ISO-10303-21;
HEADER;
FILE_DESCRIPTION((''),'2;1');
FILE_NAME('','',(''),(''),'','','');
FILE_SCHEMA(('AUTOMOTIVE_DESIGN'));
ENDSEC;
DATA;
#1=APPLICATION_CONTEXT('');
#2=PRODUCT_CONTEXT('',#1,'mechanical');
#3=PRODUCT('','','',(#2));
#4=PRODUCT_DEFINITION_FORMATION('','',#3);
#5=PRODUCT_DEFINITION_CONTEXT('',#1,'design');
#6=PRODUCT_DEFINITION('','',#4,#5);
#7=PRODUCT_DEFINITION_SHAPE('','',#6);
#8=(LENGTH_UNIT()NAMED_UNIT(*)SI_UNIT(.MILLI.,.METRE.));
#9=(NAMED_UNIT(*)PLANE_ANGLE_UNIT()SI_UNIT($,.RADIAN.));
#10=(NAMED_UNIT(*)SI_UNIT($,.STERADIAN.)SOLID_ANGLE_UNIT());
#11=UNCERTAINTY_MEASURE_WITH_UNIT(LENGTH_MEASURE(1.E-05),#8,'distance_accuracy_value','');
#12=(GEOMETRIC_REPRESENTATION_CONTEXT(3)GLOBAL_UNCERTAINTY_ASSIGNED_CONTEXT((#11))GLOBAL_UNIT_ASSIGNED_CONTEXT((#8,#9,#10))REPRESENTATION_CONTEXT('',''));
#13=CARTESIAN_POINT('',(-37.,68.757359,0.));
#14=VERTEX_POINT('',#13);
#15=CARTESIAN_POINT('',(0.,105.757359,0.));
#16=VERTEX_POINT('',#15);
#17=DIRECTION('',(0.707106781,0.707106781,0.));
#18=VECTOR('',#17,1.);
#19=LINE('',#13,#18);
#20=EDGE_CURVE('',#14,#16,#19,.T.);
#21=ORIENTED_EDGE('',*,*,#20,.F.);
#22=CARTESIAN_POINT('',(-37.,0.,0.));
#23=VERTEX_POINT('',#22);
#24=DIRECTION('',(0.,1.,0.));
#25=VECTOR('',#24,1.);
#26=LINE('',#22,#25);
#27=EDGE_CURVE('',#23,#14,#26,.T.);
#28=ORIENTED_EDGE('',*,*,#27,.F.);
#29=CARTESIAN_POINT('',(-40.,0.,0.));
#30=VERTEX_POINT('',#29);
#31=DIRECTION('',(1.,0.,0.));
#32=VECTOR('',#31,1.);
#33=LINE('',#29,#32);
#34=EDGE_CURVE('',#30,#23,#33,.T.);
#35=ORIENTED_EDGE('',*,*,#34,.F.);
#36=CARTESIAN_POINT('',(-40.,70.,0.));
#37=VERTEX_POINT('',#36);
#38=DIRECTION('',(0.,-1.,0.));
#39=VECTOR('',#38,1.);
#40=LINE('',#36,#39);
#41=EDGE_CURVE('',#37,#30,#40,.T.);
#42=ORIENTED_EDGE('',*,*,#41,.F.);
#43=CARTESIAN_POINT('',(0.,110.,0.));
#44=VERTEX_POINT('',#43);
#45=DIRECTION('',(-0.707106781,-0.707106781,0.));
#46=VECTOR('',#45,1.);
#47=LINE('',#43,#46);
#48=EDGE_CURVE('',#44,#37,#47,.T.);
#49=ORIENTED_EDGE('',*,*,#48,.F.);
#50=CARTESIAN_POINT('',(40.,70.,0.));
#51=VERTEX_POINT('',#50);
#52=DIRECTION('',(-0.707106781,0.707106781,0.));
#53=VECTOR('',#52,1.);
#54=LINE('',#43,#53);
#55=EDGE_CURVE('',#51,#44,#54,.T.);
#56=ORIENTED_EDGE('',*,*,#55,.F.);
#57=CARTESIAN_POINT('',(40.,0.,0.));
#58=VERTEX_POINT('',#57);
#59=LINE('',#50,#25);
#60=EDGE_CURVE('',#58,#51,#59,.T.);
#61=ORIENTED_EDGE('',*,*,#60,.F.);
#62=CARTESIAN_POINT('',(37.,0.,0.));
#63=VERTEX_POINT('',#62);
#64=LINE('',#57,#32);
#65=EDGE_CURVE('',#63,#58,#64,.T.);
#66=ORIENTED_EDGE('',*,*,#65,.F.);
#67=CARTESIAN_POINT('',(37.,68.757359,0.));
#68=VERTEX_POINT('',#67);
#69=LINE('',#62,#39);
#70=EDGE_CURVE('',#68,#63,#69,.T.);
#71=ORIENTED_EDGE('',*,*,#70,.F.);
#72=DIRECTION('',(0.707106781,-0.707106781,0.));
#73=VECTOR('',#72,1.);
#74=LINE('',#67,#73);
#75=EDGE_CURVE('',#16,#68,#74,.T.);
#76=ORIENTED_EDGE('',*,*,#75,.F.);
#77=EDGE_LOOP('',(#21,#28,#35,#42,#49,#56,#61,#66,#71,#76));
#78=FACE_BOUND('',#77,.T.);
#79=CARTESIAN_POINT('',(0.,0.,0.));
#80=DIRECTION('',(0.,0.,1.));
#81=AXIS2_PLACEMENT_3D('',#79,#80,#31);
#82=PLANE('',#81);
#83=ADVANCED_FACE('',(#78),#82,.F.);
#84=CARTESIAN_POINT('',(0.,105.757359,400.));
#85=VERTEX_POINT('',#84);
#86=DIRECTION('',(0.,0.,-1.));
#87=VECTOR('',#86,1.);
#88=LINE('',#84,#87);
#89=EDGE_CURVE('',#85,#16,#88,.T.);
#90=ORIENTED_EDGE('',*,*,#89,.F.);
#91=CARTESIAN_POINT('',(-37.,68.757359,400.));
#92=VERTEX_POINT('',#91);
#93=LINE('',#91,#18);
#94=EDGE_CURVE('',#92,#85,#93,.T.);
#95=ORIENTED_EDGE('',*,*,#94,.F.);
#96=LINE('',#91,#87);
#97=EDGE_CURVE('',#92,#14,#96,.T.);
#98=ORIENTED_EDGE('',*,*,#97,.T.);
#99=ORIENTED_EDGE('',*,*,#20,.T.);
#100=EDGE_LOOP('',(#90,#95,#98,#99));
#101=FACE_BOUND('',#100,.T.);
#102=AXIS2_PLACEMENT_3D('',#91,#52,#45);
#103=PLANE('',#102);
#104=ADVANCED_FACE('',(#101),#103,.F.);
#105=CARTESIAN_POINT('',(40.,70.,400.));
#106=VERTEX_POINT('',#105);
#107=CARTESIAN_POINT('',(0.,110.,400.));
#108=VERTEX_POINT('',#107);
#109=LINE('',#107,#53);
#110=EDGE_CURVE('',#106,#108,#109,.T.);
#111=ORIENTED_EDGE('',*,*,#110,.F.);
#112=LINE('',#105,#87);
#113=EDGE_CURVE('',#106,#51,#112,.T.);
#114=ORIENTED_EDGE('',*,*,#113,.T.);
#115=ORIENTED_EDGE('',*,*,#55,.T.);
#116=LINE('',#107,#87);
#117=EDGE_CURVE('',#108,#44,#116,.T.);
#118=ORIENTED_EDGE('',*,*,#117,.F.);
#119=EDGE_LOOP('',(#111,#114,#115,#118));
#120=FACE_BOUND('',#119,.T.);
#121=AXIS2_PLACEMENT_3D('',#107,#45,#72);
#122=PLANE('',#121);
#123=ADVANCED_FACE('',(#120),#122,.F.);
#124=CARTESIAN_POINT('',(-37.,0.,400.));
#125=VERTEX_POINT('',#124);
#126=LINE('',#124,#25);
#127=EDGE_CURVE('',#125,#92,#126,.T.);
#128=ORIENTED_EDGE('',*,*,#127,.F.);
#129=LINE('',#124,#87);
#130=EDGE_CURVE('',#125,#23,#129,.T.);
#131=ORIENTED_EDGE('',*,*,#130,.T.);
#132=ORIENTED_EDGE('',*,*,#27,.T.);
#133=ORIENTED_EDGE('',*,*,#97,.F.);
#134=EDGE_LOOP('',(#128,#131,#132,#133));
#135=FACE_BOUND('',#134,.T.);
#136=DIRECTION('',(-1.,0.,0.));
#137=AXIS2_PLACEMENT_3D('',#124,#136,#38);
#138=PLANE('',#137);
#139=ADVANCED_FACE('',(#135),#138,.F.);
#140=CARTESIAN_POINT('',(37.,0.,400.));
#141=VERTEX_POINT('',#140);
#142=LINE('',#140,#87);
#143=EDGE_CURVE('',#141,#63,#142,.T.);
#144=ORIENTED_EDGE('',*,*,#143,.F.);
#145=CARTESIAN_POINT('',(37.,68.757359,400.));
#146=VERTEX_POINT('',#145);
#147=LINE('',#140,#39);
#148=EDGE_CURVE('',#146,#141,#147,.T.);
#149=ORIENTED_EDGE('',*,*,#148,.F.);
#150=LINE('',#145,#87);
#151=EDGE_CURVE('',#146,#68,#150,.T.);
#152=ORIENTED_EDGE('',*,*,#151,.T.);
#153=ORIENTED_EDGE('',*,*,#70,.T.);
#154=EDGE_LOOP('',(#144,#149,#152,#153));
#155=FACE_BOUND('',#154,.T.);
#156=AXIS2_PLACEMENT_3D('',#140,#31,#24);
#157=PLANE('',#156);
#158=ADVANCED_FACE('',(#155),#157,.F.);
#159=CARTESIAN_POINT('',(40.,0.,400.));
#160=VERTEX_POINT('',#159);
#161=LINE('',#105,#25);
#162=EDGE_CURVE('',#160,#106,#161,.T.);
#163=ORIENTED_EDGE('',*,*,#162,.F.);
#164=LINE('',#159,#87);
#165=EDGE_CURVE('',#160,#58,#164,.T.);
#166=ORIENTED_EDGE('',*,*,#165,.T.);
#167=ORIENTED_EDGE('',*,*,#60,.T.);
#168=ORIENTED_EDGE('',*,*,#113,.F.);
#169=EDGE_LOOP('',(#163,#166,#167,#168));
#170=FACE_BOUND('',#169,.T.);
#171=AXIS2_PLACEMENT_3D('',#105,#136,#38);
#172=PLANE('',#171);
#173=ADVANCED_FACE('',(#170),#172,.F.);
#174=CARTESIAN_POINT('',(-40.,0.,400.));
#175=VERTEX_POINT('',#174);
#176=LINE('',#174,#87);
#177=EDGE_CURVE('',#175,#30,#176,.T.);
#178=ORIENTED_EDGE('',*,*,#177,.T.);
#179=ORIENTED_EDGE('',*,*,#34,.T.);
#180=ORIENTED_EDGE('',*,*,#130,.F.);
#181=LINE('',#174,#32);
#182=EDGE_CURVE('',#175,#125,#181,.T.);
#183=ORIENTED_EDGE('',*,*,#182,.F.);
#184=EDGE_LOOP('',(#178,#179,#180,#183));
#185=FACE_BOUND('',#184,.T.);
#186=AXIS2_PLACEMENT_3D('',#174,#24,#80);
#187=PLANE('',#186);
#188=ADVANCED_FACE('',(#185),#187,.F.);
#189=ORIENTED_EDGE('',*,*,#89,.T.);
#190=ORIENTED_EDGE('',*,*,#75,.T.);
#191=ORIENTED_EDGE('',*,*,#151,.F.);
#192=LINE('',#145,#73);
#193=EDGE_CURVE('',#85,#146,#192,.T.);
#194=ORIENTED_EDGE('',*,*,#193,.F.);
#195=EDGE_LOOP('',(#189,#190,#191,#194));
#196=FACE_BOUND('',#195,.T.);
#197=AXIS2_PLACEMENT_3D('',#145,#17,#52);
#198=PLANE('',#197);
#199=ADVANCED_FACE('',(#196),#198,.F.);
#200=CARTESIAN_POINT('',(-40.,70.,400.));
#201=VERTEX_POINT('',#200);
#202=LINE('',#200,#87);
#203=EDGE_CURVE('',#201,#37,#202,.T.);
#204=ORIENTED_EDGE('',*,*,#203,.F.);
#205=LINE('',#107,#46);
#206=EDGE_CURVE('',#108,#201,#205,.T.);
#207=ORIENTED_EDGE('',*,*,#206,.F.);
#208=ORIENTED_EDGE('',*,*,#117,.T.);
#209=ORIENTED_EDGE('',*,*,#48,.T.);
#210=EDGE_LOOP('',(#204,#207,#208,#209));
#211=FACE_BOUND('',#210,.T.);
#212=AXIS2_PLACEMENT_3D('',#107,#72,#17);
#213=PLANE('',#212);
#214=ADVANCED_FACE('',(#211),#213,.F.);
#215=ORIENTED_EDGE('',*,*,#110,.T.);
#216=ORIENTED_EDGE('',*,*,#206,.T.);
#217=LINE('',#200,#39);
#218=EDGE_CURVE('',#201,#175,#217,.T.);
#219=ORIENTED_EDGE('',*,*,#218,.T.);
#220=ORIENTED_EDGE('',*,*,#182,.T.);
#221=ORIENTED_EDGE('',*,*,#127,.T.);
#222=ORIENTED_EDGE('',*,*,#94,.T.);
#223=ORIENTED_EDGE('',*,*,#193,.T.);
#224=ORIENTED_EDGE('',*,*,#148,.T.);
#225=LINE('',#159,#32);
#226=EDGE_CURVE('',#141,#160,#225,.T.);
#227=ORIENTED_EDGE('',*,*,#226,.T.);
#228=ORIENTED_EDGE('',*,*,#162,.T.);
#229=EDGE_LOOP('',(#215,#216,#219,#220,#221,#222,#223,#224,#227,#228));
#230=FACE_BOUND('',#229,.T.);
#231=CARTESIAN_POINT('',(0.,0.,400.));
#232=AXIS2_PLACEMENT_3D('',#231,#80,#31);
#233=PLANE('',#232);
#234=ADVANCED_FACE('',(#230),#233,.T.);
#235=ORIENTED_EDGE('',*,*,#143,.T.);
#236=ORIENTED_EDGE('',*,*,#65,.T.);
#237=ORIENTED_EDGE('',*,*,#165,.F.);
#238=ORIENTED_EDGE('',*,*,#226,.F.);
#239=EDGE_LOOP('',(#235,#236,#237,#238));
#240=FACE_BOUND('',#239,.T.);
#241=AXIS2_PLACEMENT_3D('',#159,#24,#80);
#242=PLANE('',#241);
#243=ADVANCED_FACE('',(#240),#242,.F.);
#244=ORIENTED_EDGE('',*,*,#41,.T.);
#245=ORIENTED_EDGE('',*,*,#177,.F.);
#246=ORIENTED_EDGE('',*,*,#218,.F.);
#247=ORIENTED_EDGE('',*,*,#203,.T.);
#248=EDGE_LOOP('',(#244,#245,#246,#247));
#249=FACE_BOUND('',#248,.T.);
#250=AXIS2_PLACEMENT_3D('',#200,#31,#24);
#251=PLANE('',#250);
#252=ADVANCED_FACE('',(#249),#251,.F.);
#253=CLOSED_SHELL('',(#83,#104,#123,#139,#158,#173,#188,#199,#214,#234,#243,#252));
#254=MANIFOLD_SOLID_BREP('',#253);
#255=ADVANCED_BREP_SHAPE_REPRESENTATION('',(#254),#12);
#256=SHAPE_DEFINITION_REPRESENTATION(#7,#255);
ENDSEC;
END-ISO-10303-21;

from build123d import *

# Parameters (mm, degrees)
BOSS_EXTRUDE1_DEPTH = 400


with BuildPart() as part:
    # Sketch1 → Boss-Extrude1 (new body)
    with BuildSketch(Plane.XY):
        Polygon((-37, 0), (-37, 68.757359313), (0, 105.757359313), (37, 68.757359313), (37, 0), (40, 0), (40, 70), (0, 110), (-40, 70), (-40, 0), align=None)
    extrude(amount=BOSS_EXTRUDE1_DEPTH)


solid = part.part
